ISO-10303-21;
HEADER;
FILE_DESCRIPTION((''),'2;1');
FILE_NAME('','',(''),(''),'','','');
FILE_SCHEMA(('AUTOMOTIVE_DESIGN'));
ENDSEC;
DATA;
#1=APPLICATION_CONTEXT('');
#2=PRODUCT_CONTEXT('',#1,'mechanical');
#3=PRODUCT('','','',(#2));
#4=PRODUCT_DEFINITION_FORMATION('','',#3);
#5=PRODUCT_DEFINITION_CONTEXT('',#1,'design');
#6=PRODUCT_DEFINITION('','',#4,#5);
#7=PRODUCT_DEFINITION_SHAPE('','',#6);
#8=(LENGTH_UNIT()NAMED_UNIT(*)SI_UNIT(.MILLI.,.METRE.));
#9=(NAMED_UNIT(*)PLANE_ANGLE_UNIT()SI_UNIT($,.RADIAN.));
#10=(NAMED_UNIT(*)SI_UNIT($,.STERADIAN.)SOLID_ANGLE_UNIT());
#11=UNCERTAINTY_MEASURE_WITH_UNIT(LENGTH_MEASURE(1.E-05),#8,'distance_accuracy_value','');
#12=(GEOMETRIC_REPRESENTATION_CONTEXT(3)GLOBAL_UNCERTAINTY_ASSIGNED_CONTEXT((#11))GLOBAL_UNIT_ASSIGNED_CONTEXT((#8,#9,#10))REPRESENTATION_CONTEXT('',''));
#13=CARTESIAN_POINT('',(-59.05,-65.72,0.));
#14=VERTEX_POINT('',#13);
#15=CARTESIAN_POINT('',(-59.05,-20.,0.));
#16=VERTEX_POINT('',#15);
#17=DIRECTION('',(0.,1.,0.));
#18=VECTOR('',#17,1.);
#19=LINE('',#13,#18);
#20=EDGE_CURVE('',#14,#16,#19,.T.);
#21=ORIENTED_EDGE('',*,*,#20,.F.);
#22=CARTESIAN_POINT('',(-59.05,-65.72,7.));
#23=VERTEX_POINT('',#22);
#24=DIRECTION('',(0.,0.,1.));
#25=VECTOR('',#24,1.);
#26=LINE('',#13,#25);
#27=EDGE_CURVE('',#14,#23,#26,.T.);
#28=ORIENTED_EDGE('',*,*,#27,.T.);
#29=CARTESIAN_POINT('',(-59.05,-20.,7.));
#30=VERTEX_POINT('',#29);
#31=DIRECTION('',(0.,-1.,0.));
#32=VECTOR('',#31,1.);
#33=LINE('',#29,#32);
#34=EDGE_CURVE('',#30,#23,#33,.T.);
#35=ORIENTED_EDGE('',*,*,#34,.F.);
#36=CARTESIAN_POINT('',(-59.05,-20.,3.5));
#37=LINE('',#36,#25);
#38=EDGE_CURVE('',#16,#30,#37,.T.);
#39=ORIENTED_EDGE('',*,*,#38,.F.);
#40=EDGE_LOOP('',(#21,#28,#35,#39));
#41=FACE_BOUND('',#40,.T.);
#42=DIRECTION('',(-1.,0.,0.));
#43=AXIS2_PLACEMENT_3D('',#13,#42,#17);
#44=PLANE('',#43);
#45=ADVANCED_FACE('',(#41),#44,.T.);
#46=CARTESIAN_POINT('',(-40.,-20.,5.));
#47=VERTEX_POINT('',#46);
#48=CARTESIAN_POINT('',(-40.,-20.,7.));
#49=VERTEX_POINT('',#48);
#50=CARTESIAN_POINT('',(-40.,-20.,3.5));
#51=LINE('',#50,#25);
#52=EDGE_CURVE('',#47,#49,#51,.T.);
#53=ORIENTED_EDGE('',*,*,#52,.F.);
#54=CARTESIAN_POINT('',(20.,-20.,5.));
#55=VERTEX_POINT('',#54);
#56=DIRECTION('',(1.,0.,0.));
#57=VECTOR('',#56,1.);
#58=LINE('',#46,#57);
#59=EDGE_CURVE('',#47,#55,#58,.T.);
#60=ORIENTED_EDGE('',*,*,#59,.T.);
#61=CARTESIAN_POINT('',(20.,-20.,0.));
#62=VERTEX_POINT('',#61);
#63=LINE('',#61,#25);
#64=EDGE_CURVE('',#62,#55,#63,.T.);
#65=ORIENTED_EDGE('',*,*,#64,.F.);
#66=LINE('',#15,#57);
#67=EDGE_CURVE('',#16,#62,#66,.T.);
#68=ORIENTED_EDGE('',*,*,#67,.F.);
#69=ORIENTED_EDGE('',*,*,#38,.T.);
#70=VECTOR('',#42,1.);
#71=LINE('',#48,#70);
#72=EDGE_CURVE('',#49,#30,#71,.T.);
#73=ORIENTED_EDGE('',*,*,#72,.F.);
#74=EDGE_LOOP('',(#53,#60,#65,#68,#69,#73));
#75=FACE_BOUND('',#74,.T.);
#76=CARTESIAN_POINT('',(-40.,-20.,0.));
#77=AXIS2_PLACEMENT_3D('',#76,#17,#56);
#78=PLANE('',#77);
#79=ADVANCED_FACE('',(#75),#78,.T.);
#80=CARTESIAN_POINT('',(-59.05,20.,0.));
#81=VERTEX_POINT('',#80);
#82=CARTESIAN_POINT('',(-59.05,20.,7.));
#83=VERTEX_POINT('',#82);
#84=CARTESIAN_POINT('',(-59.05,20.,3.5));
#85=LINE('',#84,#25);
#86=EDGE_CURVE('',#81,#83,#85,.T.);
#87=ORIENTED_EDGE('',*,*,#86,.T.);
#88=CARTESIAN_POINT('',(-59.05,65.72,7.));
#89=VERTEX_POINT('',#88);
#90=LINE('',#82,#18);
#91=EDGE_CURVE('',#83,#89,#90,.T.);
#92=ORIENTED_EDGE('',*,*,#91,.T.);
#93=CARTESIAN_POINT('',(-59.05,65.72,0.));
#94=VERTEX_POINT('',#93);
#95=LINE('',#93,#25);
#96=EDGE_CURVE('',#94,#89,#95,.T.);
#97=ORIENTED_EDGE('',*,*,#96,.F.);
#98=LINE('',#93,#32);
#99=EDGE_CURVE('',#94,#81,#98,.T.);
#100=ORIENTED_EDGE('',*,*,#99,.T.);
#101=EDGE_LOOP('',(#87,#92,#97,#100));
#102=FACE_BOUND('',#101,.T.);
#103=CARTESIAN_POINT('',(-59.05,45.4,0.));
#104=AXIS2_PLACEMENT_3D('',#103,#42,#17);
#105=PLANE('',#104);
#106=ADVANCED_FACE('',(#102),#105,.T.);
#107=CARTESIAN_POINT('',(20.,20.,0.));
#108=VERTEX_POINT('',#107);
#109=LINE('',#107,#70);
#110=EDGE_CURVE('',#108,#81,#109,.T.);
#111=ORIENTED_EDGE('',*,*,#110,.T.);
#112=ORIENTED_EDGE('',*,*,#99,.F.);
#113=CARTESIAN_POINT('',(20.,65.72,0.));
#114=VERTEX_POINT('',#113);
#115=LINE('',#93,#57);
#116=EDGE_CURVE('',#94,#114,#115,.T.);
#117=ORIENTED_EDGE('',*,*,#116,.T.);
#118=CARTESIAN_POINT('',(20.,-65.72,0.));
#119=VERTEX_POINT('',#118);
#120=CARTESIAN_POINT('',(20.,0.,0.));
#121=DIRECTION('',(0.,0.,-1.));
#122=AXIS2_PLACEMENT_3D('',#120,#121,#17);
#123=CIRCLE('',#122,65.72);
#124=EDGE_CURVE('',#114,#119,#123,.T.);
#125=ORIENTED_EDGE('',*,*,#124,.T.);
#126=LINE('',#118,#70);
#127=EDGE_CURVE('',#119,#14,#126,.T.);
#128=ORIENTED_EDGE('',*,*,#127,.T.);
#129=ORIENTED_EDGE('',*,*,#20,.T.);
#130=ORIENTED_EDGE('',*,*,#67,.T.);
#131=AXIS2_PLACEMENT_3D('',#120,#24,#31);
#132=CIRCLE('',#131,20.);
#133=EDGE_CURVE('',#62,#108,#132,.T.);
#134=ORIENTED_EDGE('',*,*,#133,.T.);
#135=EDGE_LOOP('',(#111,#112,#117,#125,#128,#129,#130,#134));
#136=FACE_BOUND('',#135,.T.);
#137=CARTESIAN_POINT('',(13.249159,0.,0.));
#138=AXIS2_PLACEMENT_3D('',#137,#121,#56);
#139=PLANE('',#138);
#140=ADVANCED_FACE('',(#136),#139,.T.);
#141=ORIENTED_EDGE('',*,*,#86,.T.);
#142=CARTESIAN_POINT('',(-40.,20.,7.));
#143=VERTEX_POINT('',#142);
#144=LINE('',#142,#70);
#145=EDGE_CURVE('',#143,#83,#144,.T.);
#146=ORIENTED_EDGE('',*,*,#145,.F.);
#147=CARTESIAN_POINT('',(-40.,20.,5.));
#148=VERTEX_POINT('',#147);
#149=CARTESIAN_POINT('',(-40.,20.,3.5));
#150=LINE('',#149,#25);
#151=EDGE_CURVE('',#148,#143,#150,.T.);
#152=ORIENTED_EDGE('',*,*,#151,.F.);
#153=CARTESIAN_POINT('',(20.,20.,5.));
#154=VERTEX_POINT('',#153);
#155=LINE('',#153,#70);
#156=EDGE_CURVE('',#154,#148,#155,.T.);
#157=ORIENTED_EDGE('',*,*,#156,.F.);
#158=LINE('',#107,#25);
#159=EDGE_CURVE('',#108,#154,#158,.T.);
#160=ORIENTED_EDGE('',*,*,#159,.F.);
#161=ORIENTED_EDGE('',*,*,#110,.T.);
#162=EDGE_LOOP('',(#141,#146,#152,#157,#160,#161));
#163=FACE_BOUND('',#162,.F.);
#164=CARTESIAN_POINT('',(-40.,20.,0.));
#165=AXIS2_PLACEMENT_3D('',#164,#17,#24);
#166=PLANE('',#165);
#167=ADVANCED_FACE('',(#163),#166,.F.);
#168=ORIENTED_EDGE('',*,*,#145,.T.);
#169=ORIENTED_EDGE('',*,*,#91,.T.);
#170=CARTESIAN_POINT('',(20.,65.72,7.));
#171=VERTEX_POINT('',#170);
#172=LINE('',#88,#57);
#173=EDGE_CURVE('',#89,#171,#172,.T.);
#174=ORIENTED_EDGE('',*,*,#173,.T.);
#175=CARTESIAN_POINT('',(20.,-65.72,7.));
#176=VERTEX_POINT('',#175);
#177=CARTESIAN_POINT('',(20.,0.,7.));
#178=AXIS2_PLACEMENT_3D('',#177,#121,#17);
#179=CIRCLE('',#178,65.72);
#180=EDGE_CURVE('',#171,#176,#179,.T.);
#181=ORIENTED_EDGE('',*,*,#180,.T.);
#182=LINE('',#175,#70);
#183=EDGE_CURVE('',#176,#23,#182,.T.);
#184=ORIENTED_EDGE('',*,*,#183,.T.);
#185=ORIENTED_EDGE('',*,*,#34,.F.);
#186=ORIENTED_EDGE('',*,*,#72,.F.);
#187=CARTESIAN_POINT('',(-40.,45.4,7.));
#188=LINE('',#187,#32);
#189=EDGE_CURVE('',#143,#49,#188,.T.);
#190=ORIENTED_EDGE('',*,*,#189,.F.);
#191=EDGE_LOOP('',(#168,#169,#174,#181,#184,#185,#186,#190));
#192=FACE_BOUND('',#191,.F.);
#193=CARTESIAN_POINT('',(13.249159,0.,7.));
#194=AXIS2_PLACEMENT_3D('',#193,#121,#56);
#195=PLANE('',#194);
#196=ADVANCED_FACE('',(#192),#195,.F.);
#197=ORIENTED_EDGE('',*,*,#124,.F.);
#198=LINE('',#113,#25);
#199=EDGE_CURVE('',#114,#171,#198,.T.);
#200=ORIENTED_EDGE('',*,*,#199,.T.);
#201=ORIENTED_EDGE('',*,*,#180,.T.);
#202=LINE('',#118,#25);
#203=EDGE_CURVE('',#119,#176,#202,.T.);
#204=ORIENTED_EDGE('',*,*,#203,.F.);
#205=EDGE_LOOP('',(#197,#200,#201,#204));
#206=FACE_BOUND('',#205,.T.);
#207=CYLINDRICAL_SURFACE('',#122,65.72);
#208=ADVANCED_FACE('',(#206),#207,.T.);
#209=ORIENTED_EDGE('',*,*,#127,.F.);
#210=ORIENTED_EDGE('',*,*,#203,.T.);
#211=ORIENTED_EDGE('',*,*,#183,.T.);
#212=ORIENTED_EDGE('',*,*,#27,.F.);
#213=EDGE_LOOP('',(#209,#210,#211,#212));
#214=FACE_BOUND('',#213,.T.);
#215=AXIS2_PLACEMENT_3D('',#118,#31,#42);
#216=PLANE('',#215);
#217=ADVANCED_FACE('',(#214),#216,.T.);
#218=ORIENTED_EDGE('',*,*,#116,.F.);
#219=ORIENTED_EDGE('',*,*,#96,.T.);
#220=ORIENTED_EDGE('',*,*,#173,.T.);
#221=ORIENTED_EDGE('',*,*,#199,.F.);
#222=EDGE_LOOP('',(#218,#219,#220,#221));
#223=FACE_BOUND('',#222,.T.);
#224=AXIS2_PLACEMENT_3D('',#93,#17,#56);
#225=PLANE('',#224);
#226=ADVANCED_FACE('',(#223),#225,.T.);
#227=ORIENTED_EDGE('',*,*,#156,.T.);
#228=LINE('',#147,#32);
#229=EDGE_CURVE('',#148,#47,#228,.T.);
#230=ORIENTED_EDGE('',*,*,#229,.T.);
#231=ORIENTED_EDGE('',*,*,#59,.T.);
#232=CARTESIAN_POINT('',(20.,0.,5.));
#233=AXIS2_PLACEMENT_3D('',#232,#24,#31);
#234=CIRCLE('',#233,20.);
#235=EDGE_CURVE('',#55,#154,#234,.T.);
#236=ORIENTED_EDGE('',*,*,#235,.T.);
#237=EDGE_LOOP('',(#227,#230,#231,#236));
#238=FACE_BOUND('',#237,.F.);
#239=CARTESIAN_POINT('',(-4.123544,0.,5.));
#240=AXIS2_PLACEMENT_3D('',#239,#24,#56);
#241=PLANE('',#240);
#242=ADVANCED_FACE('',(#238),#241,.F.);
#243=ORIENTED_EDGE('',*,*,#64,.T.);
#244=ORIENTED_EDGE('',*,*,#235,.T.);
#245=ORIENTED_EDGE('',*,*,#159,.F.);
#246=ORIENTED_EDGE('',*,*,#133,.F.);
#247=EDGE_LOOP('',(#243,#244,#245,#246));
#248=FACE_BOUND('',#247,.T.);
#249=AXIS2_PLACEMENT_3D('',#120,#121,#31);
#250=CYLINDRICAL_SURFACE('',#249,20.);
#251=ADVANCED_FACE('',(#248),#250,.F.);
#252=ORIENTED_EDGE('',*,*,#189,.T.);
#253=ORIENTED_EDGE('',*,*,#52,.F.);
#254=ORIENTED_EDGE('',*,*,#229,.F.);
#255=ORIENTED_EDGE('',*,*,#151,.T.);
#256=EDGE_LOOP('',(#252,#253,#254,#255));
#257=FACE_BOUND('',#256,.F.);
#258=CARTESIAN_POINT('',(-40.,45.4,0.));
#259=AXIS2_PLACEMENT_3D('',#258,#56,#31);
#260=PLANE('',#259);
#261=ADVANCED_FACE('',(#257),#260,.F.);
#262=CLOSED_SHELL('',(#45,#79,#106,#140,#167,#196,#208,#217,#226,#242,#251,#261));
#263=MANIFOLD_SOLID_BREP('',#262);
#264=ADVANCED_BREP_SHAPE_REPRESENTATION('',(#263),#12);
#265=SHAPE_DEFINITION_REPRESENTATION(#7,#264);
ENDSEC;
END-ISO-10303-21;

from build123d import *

# Parameters (mm, degrees)
F1_DEPTH = 7
F2_DEPTH = 5
F3_W     = 25.4
F3_H     = 7
F4_DEPTH = 19.05
F6_DEPTH = 7


with BuildPart() as f1:
    # F0 (on Top) → F1 (new body)
    with BuildSketch(Plane.XY):
        with BuildLine():
            ThreePointArc((20, 20), (40, 0), (20, -20))
            Line((20, -20), (-40, -20))
            Line((-40, -20), (-40, -45.4))
            Line((-40, -45.4), (20, -45.4))
            ThreePointArc((20, -45.4), (65.4, 0), (20, 45.4))
            Line((20, 45.4), (-40, 45.4))
            Line((-40, 45.4), (-40, 20))
            Line((-40, 20), (20, 20))
        make_face()
        with BuildLine():
            Line((-40, -20), (20, -20))
            ThreePointArc((20, -20), (40, 0), (20, 20))
            Line((20, 20), (-40, 20))
            Line((-40, 20), (-40, -20))
        make_face()
    extrude(amount=F1_DEPTH)

    # F0 (on Top) → F2 (cut)
    with BuildSketch(Plane.XY):
        with BuildLine():
            Line((-40, -20), (20, -20))
            ThreePointArc((20, -20), (40, 0), (20, 20))
            Line((20, 20), (-40, 20))
            Line((-40, 20), (-40, -20))
        make_face()
    extrude(amount=F2_DEPTH, mode=Mode.SUBTRACT)

    # F3 (on face) → F4 (join)
    with BuildSketch(Plane(origin=(-40, 0, 0), x_dir=(0, -1, 0), z_dir=(-1, 0, 0))):
        with Locations((-32.7, 3.5)):
            Rectangle(F3_W, F3_H)
        with Locations((32.7, 3.5)):
            Rectangle(F3_W, F3_H)
    extrude(amount=F4_DEPTH)

    # F5 (on face) → F6 (join, through all)
    with BuildSketch(Plane(origin=(0, 0, 0), x_dir=(1, 0, 0), z_dir=(0, 0, -1))):
        with BuildLine():
            Line((-59.05, -65.72), (20, -65.72))
            ThreePointArc((20, -65.72), (85.72, 0), (20, 65.72))
            Line((20, 65.72), (-59.05, 65.72))
            Line((-59.05, 65.72), (-59.05, 45.4))
            Line((-59.05, 45.4), (20, 45.4))
            ThreePointArc((20, 45.4), (65.4, 0), (20, -45.4))
            Line((20, -45.4), (-59.05, -45.4))
            Line((-59.05, -45.4), (-59.05, -65.72))
        make_face()
    extrude(amount=-F6_DEPTH)


solid = f1.part
